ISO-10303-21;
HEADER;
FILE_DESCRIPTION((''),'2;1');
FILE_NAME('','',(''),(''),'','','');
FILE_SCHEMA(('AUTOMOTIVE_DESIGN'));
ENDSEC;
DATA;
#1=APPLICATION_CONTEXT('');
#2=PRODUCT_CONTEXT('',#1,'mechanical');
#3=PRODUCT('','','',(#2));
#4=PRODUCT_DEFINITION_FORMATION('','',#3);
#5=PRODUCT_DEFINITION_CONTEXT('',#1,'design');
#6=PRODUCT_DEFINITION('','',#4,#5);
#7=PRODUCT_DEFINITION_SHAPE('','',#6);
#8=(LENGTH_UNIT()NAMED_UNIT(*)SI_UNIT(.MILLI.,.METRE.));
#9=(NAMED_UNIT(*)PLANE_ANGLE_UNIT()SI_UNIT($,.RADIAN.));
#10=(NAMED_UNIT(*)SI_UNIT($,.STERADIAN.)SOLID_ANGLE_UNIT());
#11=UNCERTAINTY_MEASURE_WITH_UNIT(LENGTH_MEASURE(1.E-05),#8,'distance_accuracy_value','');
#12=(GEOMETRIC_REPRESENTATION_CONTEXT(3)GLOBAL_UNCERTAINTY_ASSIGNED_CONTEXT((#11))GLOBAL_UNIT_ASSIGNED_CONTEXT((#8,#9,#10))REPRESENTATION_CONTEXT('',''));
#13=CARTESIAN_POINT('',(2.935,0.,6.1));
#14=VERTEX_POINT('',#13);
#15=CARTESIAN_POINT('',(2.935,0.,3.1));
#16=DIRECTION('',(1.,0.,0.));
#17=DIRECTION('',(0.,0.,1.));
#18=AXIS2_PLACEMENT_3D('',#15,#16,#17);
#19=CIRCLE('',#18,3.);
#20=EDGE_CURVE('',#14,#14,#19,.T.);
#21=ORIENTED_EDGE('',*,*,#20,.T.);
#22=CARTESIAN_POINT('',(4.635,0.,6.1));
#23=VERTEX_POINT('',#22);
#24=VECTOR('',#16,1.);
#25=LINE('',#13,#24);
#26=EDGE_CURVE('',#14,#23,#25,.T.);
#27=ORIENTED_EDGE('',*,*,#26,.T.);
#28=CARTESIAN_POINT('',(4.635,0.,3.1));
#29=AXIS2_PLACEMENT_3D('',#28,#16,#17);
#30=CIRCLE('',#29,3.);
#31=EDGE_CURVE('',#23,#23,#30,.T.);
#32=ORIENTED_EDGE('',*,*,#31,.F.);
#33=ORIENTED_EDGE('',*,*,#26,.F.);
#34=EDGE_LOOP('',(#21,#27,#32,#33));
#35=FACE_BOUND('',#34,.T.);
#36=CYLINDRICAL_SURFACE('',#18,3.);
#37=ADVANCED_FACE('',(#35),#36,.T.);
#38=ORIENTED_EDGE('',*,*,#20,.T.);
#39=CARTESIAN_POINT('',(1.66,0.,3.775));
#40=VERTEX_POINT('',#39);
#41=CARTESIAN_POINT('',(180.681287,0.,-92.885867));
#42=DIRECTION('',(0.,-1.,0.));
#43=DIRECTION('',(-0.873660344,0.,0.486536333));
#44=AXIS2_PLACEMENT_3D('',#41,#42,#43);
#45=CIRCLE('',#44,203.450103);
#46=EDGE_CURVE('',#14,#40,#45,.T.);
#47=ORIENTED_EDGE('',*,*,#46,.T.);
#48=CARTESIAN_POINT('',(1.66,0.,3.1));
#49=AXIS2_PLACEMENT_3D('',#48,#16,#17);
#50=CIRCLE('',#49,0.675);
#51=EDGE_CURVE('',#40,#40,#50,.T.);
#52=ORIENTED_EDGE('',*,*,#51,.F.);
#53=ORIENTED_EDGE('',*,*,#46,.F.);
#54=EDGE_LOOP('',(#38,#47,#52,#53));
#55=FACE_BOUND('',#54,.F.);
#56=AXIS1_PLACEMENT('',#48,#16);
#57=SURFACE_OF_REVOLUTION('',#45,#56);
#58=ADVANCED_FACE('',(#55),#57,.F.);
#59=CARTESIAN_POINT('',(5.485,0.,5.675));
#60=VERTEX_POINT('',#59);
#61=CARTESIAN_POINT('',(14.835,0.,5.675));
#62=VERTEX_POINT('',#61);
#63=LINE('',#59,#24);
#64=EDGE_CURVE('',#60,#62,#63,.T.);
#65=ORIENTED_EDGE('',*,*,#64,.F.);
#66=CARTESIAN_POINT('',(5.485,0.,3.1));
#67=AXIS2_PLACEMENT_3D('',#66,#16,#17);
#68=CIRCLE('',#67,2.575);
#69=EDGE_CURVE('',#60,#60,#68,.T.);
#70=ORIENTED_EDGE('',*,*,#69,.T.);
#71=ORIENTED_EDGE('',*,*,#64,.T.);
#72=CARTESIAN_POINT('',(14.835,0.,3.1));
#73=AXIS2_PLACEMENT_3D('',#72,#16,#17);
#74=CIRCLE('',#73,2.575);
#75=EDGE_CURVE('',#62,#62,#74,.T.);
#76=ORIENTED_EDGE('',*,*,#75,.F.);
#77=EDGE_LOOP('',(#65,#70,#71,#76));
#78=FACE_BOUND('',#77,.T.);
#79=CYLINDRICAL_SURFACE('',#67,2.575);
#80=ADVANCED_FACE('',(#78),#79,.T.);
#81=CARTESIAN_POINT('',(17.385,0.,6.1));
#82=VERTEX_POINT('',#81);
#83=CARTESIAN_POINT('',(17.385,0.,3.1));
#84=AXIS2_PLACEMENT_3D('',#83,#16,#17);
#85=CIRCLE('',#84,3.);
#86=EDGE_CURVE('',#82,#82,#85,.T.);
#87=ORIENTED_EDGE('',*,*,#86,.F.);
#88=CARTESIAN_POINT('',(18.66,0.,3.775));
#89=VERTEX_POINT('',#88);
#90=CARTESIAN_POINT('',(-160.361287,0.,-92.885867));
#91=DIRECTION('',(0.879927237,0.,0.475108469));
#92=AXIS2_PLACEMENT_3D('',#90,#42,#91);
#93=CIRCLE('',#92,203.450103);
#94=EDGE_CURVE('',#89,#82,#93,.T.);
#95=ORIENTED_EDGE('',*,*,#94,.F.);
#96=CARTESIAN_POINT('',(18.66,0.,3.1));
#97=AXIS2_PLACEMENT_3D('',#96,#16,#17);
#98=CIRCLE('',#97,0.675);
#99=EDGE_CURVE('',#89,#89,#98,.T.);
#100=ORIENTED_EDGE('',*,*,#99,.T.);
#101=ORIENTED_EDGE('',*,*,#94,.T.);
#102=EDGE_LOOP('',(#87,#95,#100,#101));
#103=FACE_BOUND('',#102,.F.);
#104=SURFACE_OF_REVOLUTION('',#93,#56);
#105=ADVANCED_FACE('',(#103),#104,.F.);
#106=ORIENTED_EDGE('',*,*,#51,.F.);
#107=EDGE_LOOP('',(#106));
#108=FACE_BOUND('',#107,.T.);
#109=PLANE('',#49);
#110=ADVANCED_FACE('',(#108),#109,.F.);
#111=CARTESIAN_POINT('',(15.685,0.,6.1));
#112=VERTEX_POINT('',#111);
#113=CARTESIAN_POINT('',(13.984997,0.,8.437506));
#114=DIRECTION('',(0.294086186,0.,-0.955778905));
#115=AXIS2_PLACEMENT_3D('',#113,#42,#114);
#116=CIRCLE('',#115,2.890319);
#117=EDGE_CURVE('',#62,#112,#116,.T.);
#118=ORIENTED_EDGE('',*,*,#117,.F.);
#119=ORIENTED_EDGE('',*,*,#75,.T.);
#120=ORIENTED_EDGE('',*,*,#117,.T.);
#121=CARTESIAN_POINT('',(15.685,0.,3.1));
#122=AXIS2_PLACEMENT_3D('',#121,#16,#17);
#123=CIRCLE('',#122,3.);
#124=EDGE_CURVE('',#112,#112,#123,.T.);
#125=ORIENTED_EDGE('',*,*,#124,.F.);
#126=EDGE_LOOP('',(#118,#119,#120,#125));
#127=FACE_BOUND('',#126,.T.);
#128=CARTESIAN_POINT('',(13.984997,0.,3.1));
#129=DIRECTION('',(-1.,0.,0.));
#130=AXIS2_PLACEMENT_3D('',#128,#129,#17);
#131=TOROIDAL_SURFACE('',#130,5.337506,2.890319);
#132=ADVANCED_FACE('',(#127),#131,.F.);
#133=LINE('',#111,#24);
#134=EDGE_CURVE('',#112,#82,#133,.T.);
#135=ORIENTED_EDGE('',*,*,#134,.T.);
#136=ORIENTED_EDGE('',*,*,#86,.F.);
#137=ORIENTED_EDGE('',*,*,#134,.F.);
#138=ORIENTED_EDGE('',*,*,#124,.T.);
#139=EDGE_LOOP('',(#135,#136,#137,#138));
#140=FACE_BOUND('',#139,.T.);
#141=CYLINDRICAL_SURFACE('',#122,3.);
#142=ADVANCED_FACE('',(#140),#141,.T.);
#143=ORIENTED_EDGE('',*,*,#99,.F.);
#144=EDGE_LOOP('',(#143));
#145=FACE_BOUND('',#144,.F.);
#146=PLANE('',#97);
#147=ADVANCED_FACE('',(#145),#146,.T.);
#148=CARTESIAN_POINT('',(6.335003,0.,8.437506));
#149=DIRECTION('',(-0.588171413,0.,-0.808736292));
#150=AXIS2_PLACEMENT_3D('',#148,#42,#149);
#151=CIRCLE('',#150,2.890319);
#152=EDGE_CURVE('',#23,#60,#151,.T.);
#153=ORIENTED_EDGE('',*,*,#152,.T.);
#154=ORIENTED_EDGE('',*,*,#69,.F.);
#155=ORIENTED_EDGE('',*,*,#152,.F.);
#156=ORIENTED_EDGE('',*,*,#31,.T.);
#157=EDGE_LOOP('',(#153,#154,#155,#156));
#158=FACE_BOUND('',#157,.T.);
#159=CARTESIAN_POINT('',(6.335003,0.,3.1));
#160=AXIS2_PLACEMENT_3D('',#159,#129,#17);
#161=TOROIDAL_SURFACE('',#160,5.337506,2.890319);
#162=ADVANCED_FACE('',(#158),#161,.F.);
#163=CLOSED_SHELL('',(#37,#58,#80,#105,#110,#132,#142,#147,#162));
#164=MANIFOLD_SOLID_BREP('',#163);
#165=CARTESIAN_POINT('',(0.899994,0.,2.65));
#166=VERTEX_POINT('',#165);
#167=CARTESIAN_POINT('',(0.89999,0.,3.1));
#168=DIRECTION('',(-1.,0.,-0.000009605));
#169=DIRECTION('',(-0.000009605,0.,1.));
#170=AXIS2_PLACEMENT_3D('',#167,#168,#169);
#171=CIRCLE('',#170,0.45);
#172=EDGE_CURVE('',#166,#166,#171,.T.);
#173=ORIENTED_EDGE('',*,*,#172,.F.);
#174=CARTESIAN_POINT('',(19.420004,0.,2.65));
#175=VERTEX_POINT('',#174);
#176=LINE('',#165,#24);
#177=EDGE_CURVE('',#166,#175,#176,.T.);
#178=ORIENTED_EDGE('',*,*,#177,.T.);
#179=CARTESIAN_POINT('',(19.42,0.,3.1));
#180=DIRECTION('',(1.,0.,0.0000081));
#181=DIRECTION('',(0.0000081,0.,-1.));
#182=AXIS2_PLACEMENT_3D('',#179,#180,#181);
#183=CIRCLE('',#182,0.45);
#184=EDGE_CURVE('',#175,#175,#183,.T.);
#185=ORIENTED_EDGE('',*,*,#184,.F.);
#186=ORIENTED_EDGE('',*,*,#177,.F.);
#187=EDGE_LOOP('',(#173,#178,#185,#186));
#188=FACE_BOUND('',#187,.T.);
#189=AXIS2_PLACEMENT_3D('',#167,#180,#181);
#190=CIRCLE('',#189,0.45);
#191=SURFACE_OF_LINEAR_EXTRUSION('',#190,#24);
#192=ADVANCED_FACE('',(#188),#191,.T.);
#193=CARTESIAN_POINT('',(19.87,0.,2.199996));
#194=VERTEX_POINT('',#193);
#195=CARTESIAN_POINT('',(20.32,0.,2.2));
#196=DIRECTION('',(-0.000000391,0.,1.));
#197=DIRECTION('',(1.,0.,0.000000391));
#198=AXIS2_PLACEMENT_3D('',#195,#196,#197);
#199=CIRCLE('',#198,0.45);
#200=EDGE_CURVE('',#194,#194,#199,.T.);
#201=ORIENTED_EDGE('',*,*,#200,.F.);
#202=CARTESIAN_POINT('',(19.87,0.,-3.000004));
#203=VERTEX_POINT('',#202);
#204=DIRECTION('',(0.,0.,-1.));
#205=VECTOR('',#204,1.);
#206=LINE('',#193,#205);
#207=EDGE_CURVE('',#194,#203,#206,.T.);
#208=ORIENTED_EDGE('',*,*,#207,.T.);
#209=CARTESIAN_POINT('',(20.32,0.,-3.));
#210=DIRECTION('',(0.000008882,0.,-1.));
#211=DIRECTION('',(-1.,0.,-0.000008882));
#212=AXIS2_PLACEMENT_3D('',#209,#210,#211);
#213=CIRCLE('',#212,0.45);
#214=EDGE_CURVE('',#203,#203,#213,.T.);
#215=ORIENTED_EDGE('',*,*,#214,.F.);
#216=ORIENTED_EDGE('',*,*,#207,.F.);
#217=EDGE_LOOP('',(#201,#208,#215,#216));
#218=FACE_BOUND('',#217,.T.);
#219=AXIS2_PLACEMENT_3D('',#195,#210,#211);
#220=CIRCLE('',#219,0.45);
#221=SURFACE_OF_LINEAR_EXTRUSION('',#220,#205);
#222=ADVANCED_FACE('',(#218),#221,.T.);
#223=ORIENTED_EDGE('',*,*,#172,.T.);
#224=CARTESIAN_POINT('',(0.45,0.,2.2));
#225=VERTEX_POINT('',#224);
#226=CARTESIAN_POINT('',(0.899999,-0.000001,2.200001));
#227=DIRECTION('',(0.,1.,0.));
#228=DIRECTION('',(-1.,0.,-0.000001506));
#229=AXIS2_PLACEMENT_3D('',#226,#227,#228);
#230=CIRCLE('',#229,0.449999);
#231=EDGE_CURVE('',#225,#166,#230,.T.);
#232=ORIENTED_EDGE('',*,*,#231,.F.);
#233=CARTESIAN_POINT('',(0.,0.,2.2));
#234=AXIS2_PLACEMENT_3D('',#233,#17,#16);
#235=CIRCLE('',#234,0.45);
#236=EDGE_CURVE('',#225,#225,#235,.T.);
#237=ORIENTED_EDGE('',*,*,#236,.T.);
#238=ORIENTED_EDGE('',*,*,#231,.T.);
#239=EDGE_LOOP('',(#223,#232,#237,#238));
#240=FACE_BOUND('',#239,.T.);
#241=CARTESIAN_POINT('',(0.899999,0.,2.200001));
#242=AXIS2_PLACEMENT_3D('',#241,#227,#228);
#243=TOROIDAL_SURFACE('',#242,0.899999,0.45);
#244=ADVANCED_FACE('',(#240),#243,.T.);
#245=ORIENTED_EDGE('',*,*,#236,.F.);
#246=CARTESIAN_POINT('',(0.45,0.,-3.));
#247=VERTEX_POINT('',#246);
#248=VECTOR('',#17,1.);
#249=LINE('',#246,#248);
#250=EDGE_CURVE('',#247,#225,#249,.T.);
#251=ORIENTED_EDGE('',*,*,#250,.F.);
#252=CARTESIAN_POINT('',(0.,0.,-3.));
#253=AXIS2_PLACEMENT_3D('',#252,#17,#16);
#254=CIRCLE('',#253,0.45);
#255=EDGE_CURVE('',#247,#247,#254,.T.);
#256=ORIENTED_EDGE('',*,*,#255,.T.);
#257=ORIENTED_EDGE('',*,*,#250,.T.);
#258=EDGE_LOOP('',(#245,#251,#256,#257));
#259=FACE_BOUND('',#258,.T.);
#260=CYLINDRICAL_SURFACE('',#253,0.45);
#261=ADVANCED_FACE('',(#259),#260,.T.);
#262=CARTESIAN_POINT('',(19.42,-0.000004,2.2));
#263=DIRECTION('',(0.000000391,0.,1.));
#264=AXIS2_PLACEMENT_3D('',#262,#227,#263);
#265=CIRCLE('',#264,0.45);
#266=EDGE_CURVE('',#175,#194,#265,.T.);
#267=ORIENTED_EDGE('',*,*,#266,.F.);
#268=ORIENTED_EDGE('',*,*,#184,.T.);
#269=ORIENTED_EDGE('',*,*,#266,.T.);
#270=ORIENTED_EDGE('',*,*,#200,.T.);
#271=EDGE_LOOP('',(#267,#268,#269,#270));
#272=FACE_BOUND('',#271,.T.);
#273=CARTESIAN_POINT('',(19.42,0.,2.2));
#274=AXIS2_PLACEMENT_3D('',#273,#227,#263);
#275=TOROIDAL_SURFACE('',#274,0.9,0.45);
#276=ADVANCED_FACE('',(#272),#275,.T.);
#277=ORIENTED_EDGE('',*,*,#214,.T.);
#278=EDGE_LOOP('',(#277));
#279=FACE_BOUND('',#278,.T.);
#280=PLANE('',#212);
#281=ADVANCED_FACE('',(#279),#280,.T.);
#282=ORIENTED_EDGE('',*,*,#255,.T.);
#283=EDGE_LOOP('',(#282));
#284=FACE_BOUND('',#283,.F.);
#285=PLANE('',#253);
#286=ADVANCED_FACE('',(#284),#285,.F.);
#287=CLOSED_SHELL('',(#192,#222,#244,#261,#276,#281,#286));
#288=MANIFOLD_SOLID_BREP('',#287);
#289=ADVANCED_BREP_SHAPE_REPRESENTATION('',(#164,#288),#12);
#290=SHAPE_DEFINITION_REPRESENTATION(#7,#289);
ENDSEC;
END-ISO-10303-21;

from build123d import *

# Parameters (mm, degrees)
SKETCH_R = 0.45


with BuildPart() as revolution:
    # Sketch002 → Revolution (revolve)
    with BuildSketch(Plane.XZ):
        with BuildLine():
            Line((2.935, 6.1), (4.635, 6.1))
            ThreePointArc((4.635, 6.1), (5.042413, 5.852326), (5.485, 5.675))
            Line((5.485, 5.675), (14.835, 5.675))
            ThreePointArc((14.835, 5.675), (15.277587, 5.852326), (15.685, 6.1))
            Line((15.685, 6.1), (17.385, 6.1))
            ThreePointArc((18.66, 3.775), (18.026288, 4.939577), (17.385, 6.1))
            Line((18.66, 3.1), (18.66, 3.775))
            Line((1.66, 3.1), (18.66, 3.1))
            Line((1.66, 3.1), (1.66, 3.775))
            ThreePointArc((2.935, 6.1), (2.293712, 4.939577), (1.66, 3.775))
        make_face()
    revolve(axis=Axis((1.66, 0, 3.1), (1, 0, 0)))


with BuildPart() as sweep_body:
    # Sweep: sweep along a path in Sketch001
    with BuildLine(Plane.XZ) as sweep_path:
        Line((0, -3), (0, 2.2))
        ThreePointArc((0, 2.2), (0.2636, 2.836393), (0.89999, 3.1))
        Line((0.89999, 3.1), (19.42, 3.1))
        ThreePointArc((19.42, 3.1), (20.056396, 2.836396), (20.32, 2.2))
        Line((20.32, 2.2), (20.32, -3))
    # Sketch → Sweep (sweep)
    with BuildSketch(Plane.XY.offset(-2)):
        Circle(SKETCH_R)
    sweep(path=sweep_path.line)


solid = Compound([revolution.part, sweep_body.part])
